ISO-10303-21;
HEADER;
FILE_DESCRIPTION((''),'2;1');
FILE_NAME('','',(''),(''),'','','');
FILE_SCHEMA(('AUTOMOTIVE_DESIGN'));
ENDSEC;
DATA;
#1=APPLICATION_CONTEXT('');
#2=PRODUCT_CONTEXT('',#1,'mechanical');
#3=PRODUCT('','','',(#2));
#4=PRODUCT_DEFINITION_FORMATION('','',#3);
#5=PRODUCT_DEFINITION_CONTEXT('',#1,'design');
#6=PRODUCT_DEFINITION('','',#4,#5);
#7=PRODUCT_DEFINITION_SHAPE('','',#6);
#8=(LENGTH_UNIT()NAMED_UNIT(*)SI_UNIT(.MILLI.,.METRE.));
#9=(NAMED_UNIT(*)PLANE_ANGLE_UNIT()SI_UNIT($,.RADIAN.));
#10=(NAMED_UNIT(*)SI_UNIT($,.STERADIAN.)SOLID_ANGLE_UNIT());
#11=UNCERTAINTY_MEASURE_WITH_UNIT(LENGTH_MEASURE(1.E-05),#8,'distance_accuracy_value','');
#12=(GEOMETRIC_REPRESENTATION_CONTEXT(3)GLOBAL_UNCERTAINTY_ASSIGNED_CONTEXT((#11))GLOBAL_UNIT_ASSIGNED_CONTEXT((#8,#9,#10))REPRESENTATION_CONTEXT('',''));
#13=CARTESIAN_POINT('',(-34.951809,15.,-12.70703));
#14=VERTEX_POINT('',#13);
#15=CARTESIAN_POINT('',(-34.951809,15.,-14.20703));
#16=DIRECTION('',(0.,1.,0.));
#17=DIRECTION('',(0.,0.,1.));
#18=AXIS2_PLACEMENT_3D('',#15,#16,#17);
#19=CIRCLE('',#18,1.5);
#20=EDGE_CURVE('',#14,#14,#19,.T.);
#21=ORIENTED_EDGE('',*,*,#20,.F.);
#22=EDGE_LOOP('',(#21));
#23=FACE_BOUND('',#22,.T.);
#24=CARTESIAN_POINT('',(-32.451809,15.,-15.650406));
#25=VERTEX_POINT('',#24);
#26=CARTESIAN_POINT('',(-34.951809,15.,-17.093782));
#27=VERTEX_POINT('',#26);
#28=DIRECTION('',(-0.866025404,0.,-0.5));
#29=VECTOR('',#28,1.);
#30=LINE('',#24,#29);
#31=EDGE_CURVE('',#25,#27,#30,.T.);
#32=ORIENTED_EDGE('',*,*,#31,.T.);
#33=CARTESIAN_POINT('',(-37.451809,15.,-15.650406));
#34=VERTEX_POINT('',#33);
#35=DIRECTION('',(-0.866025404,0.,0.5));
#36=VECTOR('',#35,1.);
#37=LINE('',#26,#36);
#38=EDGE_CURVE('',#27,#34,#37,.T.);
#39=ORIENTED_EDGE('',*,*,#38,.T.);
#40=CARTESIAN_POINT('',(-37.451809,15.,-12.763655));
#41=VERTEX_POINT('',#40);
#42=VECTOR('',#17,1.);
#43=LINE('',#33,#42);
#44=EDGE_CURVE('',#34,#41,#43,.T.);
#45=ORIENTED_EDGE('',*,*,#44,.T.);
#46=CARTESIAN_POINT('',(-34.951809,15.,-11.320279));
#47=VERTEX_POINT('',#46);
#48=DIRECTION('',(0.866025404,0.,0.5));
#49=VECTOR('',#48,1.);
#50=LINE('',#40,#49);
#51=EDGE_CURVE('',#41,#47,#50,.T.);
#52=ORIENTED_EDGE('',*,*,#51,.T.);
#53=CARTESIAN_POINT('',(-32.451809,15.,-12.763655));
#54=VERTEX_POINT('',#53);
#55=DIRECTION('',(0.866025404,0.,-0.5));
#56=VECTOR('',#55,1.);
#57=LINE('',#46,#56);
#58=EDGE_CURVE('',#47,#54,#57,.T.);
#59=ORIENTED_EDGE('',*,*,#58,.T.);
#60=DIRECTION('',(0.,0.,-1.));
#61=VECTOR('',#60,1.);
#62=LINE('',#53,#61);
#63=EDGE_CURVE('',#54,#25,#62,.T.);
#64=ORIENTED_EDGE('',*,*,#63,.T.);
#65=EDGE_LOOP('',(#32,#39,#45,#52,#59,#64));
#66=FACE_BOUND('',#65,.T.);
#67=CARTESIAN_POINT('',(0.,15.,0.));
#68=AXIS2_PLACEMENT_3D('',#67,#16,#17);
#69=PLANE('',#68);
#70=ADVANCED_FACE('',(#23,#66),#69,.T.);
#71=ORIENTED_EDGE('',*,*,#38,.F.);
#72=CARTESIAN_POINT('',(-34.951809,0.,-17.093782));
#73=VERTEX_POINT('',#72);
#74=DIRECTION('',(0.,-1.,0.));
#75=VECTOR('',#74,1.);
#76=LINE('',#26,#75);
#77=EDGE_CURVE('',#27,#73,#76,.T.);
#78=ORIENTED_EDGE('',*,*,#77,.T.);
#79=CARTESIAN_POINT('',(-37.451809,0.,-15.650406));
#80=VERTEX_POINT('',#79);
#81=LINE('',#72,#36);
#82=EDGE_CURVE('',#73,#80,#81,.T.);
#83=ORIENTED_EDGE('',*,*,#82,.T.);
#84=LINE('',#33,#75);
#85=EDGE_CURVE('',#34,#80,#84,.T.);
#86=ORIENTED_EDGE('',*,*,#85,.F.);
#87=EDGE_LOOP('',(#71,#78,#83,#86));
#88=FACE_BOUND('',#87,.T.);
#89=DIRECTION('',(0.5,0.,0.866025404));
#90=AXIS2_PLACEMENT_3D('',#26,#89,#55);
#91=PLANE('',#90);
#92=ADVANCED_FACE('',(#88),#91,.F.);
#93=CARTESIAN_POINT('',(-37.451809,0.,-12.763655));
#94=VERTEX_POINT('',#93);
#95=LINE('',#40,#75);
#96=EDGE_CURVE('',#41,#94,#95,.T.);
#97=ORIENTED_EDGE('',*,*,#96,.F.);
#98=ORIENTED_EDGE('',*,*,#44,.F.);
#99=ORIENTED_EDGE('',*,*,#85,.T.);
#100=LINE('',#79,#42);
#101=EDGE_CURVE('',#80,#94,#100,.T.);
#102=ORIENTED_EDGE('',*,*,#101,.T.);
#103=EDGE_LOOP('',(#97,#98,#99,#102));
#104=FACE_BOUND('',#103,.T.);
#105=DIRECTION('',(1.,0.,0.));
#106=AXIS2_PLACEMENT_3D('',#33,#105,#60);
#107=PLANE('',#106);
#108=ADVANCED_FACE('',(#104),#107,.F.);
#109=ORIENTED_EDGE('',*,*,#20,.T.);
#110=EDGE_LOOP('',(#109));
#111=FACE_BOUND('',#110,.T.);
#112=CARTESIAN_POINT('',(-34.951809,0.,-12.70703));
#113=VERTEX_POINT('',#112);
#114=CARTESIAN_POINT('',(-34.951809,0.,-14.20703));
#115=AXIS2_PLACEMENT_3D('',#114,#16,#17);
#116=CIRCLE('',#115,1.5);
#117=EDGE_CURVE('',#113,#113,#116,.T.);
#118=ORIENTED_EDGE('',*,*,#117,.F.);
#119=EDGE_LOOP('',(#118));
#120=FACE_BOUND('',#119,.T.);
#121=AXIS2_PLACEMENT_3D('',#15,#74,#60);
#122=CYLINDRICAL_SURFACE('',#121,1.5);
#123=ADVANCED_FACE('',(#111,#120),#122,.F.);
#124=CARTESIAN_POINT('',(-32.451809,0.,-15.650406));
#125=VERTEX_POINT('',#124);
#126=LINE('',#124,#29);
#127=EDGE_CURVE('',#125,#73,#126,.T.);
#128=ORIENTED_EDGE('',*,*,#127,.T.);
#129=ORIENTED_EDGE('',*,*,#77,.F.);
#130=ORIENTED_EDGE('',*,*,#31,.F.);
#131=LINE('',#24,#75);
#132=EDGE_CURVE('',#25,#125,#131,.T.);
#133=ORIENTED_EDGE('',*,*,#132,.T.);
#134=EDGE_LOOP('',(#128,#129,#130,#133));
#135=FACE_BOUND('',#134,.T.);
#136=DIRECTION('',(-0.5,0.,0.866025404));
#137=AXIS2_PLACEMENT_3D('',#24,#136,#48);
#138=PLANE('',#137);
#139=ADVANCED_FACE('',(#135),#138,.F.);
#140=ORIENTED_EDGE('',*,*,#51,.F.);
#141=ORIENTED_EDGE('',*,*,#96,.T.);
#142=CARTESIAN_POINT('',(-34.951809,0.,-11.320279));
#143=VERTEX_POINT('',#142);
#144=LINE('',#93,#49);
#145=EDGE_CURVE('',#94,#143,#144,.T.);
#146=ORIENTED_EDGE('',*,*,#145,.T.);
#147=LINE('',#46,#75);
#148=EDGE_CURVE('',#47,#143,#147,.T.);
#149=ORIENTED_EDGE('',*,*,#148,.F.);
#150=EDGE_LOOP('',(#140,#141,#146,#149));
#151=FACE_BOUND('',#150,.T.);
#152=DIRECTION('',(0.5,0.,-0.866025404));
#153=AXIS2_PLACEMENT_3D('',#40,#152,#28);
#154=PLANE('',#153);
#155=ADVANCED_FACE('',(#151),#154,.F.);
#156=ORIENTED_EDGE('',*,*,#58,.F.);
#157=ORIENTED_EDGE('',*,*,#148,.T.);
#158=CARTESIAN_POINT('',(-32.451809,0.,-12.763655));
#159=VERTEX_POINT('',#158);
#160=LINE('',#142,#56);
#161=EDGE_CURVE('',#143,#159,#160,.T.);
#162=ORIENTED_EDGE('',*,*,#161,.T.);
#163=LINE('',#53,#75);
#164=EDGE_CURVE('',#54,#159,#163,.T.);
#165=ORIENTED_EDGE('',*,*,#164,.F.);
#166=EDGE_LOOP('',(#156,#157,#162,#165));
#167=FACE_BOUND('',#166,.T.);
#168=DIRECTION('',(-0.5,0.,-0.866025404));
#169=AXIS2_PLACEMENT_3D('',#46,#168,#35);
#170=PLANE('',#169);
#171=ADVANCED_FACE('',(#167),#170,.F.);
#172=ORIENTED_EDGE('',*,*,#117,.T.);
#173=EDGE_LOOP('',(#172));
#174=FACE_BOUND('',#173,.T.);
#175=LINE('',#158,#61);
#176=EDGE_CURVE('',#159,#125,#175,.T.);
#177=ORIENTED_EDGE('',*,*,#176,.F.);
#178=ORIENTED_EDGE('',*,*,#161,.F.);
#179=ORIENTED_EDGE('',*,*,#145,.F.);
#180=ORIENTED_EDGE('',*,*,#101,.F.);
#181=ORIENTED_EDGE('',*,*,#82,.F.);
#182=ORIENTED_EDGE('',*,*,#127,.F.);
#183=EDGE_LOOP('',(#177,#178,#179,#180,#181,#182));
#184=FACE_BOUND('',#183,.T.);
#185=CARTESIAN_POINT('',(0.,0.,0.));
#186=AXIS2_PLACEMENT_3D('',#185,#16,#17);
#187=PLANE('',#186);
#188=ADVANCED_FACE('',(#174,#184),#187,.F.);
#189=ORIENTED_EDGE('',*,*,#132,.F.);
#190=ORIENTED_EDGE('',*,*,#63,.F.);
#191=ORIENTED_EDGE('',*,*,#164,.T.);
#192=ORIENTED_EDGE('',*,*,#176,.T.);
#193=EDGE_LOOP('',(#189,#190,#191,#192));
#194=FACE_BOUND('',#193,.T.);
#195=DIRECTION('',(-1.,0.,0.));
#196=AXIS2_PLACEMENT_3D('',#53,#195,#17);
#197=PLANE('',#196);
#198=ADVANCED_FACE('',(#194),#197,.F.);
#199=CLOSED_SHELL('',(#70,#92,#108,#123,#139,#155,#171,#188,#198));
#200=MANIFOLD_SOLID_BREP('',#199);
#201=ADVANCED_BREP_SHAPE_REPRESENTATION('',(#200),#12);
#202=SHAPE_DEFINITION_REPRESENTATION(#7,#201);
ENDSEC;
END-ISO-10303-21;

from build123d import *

# Parameters (mm, degrees)
SKETCH1_R           = 1.5
BOSS_EXTRUDE1_DEPTH = 15


with BuildPart() as part:
    # Sketch1 → Boss-Extrude1 (new body)
    with BuildSketch(Plane(origin=(0, 0, 0), x_dir=(1, 0, 0), z_dir=(0, 1, 0))):
        Polygon((-34.951809206, 17.093781707), (-37.451809206, 15.650406034), (-37.451809206, 12.763654688), (-34.951809206, 11.320279015), (-32.451809206, 12.763654688), (-32.451809206, 15.650406034), align=None)
        with Locations((-34.951809206, 14.207030361)):
            Circle(SKETCH1_R, mode=Mode.SUBTRACT)
    extrude(amount=BOSS_EXTRUDE1_DEPTH)


solid = part.part
